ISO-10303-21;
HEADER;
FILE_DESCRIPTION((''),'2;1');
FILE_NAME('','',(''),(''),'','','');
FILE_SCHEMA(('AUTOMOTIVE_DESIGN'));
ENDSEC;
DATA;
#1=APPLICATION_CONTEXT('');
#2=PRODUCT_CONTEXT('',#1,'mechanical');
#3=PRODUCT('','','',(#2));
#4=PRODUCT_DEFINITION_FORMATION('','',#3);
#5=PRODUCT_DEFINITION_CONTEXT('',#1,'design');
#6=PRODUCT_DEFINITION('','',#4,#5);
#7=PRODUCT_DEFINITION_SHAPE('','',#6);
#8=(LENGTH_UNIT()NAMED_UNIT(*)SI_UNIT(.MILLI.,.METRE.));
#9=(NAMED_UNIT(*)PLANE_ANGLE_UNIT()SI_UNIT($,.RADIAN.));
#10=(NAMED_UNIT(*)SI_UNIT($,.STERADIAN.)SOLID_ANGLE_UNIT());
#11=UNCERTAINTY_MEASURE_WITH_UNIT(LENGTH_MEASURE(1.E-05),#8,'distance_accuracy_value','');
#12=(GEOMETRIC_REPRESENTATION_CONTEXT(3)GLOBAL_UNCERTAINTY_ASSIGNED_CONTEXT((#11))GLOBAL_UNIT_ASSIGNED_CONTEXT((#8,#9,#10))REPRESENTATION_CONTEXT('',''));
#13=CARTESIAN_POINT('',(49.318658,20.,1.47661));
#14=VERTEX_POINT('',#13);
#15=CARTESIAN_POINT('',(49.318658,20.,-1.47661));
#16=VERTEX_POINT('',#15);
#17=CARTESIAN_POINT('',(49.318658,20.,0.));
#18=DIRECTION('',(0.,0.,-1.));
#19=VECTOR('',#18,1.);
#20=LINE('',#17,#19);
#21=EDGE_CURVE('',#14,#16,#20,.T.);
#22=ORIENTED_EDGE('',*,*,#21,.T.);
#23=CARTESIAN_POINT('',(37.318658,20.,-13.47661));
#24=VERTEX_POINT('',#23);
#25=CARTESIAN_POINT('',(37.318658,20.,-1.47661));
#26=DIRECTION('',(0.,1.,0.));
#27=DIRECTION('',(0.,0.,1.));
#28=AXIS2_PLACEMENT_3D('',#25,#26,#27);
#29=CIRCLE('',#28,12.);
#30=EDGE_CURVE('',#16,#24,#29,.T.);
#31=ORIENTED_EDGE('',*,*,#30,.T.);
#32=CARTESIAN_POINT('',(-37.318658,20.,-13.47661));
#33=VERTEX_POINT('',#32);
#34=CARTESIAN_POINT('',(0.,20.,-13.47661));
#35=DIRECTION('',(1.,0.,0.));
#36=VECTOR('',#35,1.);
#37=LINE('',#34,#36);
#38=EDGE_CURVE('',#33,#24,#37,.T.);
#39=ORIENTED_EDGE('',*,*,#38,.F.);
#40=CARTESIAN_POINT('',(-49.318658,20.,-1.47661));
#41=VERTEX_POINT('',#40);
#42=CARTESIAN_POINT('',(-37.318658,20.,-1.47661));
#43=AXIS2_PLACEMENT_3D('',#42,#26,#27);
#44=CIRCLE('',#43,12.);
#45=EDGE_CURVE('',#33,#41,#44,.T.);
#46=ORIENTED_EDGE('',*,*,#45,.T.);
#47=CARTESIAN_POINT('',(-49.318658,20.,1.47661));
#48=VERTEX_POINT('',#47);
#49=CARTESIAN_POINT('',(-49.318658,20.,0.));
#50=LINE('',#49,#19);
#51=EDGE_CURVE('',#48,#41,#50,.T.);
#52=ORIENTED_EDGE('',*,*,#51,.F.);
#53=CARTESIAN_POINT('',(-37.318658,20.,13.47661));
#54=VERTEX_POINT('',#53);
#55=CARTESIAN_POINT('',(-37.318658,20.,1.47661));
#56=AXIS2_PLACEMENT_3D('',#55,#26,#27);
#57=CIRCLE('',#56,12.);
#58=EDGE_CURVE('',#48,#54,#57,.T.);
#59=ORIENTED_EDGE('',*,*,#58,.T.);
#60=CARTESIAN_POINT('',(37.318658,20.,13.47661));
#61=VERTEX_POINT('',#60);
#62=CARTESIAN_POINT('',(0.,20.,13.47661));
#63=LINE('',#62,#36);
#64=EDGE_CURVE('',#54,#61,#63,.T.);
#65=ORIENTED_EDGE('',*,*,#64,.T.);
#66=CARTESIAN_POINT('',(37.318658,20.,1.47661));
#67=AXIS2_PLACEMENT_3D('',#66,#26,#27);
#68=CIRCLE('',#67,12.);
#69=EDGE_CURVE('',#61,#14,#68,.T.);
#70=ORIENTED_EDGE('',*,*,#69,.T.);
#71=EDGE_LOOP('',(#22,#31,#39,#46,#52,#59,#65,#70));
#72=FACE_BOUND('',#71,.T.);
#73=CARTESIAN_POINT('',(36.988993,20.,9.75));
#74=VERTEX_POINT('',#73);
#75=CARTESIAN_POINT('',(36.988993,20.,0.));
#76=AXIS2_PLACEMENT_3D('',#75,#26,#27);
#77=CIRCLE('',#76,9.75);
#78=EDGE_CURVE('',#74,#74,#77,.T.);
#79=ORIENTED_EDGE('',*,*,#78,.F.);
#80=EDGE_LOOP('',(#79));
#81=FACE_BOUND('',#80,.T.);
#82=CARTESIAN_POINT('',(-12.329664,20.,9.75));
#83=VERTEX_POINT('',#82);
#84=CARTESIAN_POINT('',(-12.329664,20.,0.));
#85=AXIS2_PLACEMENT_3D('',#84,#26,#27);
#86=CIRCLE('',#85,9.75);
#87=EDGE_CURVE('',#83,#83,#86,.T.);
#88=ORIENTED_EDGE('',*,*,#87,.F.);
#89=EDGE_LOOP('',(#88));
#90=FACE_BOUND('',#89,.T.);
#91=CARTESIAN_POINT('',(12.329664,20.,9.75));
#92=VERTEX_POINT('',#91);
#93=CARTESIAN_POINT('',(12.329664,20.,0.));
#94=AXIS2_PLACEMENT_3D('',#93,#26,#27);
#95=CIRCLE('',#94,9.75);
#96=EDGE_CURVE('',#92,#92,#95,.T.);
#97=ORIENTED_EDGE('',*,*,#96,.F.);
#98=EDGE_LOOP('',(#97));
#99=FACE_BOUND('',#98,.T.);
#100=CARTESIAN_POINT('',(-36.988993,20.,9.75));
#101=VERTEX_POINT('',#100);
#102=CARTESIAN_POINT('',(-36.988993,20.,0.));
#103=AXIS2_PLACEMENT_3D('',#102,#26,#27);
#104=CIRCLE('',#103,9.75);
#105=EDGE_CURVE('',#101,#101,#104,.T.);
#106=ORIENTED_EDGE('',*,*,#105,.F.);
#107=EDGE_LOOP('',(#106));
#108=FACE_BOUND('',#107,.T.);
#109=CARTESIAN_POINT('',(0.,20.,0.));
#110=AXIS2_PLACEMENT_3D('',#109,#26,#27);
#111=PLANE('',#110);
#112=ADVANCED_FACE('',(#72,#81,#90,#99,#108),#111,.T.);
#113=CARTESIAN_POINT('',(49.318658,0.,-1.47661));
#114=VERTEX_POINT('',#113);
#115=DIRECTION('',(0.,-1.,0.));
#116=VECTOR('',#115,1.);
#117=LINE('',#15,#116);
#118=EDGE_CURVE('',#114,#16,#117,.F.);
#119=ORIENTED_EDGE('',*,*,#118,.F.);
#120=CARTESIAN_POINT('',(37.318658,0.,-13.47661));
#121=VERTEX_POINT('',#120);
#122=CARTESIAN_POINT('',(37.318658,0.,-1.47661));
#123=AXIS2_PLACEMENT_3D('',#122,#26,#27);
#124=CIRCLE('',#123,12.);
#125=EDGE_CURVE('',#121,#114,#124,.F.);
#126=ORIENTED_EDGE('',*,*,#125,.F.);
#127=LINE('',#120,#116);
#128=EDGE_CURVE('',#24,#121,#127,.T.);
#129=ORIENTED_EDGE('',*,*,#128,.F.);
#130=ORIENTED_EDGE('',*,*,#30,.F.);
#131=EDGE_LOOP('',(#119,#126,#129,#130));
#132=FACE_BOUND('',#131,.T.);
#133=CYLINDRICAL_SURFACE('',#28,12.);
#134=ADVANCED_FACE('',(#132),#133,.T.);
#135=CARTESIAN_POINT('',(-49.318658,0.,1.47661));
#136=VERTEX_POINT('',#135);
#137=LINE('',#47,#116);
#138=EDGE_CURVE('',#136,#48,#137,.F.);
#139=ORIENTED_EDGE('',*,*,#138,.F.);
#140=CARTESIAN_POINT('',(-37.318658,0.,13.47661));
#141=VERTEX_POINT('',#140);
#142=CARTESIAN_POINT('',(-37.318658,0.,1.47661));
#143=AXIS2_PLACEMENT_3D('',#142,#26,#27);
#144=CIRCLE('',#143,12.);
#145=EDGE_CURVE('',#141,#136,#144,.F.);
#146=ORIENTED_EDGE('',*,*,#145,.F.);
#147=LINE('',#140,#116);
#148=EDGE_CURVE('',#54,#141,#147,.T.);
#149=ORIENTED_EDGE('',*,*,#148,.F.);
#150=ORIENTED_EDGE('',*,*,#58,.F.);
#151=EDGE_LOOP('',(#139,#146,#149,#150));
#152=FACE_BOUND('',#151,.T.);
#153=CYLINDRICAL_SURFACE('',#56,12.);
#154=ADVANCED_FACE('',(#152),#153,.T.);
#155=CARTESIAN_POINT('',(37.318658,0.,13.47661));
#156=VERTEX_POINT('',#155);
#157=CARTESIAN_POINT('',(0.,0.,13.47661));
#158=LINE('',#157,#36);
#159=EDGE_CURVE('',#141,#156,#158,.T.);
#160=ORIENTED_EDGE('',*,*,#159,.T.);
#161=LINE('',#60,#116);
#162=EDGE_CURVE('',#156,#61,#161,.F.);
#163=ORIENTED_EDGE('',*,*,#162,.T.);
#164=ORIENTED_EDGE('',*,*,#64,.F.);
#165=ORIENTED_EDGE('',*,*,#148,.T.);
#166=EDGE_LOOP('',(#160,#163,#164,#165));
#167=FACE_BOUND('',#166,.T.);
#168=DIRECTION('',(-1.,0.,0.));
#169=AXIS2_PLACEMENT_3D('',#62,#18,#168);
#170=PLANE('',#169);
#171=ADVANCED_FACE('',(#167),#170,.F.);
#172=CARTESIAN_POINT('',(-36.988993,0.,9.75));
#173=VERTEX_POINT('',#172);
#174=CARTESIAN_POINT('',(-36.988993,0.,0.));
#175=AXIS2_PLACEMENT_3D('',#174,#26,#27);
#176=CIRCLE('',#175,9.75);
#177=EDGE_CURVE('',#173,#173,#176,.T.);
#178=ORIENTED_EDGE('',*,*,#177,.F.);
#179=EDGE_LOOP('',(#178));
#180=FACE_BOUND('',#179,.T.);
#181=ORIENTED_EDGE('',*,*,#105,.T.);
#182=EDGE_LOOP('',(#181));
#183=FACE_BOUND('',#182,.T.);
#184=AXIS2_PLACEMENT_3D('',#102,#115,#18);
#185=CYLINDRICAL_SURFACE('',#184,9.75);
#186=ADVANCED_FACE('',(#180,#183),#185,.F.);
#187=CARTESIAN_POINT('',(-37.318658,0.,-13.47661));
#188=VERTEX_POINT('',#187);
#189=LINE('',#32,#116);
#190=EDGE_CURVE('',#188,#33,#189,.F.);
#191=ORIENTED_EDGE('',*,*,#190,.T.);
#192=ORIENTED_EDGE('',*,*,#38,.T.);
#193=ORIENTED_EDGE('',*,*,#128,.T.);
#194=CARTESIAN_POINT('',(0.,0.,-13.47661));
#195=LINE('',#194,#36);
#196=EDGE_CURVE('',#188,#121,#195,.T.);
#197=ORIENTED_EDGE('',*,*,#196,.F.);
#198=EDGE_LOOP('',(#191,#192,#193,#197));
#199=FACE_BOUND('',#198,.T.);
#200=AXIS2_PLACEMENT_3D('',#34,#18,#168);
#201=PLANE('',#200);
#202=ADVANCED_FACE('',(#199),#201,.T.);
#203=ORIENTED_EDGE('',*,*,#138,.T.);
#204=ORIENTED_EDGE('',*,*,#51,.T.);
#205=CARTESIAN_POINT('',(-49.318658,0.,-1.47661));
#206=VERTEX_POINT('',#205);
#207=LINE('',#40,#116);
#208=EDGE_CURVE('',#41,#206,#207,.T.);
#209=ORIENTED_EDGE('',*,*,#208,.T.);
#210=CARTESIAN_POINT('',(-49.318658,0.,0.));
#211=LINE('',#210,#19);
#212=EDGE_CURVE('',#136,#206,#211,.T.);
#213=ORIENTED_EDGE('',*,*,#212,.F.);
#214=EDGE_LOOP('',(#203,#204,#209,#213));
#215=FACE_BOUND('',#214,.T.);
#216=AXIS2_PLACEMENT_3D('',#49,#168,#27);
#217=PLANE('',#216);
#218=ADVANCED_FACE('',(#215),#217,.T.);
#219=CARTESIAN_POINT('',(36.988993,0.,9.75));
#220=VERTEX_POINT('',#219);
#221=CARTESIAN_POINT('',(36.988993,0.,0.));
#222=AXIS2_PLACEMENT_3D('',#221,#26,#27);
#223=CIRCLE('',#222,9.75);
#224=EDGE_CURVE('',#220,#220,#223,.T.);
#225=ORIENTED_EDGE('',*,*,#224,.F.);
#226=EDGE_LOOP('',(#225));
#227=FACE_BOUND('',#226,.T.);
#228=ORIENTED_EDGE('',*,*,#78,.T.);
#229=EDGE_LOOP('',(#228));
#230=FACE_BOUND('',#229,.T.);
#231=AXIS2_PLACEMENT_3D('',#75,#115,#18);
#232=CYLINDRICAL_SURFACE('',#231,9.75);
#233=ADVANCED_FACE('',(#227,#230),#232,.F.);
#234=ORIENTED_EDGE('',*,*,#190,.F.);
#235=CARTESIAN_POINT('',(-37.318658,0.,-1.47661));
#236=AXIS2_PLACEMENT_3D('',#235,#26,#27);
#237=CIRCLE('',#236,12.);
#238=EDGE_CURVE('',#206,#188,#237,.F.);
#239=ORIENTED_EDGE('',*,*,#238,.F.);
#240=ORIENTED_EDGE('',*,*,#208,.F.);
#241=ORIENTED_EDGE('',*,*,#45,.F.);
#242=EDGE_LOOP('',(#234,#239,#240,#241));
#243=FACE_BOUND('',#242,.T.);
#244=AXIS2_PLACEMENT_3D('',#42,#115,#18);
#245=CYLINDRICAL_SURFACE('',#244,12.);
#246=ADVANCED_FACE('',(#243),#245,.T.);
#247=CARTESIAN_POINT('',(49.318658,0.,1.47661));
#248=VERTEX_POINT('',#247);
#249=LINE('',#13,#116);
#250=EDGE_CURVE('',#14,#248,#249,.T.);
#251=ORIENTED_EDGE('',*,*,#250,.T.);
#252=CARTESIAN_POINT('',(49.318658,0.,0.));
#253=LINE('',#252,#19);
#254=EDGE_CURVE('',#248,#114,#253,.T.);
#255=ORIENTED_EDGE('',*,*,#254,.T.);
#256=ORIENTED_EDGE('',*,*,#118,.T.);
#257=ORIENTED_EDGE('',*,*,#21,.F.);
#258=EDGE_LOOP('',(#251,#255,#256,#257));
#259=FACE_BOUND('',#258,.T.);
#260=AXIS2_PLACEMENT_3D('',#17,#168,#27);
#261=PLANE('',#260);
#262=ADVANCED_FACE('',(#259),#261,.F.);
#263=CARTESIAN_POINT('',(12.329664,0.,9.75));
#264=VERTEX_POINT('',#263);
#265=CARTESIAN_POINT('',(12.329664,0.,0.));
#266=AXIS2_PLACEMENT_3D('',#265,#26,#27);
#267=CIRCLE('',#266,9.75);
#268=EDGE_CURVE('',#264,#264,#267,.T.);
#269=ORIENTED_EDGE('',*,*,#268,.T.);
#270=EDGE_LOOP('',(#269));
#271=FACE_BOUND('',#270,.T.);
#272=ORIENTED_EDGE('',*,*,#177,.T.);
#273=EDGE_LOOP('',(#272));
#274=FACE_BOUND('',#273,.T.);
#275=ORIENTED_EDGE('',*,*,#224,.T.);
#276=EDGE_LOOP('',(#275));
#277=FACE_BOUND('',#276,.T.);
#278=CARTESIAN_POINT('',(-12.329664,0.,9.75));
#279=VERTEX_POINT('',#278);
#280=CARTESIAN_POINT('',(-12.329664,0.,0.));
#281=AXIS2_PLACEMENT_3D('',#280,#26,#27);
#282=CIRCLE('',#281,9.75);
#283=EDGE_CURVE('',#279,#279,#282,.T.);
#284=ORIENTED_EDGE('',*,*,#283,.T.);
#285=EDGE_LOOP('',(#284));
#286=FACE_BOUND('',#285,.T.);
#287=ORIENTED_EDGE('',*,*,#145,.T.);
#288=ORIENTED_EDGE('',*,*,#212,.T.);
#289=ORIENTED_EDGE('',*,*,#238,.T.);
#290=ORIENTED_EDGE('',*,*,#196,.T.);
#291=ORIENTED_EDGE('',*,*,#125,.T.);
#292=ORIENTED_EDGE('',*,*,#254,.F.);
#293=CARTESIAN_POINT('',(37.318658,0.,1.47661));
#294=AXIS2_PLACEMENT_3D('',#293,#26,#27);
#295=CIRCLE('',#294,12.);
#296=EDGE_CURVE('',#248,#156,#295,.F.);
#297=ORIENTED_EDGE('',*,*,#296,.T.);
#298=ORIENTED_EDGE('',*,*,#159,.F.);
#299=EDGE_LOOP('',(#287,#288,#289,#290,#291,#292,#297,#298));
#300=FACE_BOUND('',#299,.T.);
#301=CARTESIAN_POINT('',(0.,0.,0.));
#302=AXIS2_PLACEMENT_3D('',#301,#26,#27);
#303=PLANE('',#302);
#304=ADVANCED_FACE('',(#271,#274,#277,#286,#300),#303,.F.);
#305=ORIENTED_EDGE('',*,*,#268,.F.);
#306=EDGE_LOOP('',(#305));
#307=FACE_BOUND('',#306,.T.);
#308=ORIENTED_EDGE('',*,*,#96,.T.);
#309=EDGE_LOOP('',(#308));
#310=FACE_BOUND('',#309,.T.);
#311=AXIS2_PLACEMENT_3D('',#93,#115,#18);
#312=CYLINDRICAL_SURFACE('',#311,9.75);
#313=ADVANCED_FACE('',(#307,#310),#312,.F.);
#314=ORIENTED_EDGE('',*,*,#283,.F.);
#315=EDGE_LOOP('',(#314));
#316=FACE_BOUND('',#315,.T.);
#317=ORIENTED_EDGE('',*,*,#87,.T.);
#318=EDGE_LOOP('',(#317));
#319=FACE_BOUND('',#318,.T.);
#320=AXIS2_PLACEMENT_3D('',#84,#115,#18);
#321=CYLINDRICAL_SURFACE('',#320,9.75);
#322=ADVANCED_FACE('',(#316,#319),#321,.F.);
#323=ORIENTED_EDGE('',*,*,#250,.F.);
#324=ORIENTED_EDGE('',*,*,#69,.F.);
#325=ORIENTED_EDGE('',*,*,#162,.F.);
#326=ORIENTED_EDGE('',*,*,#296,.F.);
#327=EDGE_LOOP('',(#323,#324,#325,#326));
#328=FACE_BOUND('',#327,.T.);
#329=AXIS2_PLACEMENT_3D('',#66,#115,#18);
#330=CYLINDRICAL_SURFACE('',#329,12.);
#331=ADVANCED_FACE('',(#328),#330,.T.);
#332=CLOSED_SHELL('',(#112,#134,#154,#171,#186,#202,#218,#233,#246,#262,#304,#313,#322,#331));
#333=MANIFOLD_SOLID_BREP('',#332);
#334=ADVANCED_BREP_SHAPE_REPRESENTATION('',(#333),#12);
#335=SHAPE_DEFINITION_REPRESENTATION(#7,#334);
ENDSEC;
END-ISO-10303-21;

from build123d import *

# Parameters (mm, degrees)
BOSS_EXTRUDE1_DEPTH = 20
FILLET2_R           = 12


with BuildPart() as part:
    # Sketch1 → Boss-Extrude1 (new body)
    with BuildSketch(Plane(origin=(0, 0, 0), x_dir=(1, 0, 0), z_dir=(0, 1, 0))):
        with BuildLine():
            Line((-24.659328932, -13.476609998), (-24.659328932, 13.476609998))
            Line((-24.659328932, 13.476609998), (-49.318657865, 13.476609998))
            Line((-49.318657865, 13.476609998), (-43.570374654, 7.193602767))
            ThreePointArc((-43.570374654, 7.193602767), (-33.058724148, 8.9227509), (-27.238993399, 0))
            ThreePointArc((-27.238993399, 0), (-28.066242499, -3.93026925), (-30.407612143, -7.193602767))
            Line((-30.407612143, -7.193602767), (-24.659328932, -13.476609998))
        make_face()
        with BuildLine():
            Line((-49.318657865, -13.476609998), (-24.659328932, -13.476609998))
            Line((-24.659328932, -13.476609998), (-30.407612143, -7.193602767))
            ThreePointArc((-30.407612143, -7.193602767), (-44.182596166, -6.581381255), (-43.570374654, 7.193602767))
            Line((-43.570374654, 7.193602767), (-49.318657865, 13.476609998))
            Line((-49.318657865, 13.476609998), (-49.318657865, -13.476609998))
        make_face()
        with BuildLine():
            Line((0, -13.476609998), (0, 13.476609998))
            Line((0, 13.476609998), (-24.659328932, 13.476609998))
            Line((-24.659328932, 13.476609998), (-18.911045721, 7.193602767))
            ThreePointArc((-18.911045721, 7.193602767), (-8.399395216, 8.9227509), (-2.579664466, 0))
            ThreePointArc((-2.579664466, 0), (-3.406913566, -3.93026925), (-5.748283211, -7.193602767))
            Line((-5.748283211, -7.193602767), (0, -13.476609998))
        make_face()
        with BuildLine():
            Line((-24.659328932, -13.476609998), (0, -13.476609998))
            Line((0, -13.476609998), (-5.748283211, -7.193602767))
            ThreePointArc((-5.748283211, -7.193602767), (-19.523267233, -6.581381255), (-18.911045721, 7.193602767))
            Line((-18.911045721, 7.193602767), (-24.659328932, 13.476609998))
            Line((-24.659328932, 13.476609998), (-24.659328932, -13.476609998))
        make_face()
        with BuildLine():
            Line((24.659328932, 13.476609998), (0, 13.476609998))
            Line((0, 13.476609998), (5.748283211, 7.193602767))
            ThreePointArc((5.748283211, 7.193602767), (16.259933717, 8.9227509), (22.079664466, 0))
            ThreePointArc((22.079664466, 0), (21.252415366, -3.93026925), (18.911045721, -7.193602767))
            Line((18.911045721, -7.193602767), (24.659328932, -13.476609998))
            Line((24.659328932, -13.476609998), (24.659328932, 13.476609998))
        make_face()
        with BuildLine():
            Line((5.748283211, 7.193602767), (0, 13.476609998))
            Line((0, 13.476609998), (0, -13.476609998))
            Line((0, -13.476609998), (24.659328932, -13.476609998))
            Line((24.659328932, -13.476609998), (18.911045721, -7.193602767))
            ThreePointArc((18.911045721, -7.193602767), (5.136061699, -6.581381255), (5.748283211, 7.193602767))
        make_face()
        with BuildLine():
            Line((49.318657865, 13.476609998), (24.659328932, 13.476609998))
            Line((24.659328932, 13.476609998), (30.407612143, 7.193602767))
            ThreePointArc((30.407612143, 7.193602767), (40.919262649, 8.9227509), (46.738993399, 0))
            ThreePointArc((46.738993399, 0), (45.911744298, -3.93026925), (43.570374654, -7.193602767))
            Line((43.570374654, -7.193602767), (49.318657865, -13.476609998))
            Line((49.318657865, -13.476609998), (49.318657865, 13.476609998))
        make_face()
        with BuildLine():
            Line((30.407612143, 7.193602767), (24.659328932, 13.476609998))
            Line((24.659328932, 13.476609998), (24.659328932, -13.476609998))
            Line((24.659328932, -13.476609998), (49.318657865, -13.476609998))
            Line((49.318657865, -13.476609998), (43.570374654, -7.193602767))
            ThreePointArc((43.570374654, -7.193602767), (29.795390631, -6.581381255), (30.407612143, 7.193602767))
        make_face()
    extrude(amount=BOSS_EXTRUDE1_DEPTH)

    # Fillet2
    fillet2_edges = [part.edges().sort_by_distance(p)[0] for p in [
        (-49.318657865, 10, 13.476609998),
        (-49.318657865, 10, -13.476609998),
        (49.318657865, 10, -13.476609998),
        (49.318657865, 10, 13.476609998),
    ]]
    fillet(fillet2_edges, radius=FILLET2_R)


solid = part.part
